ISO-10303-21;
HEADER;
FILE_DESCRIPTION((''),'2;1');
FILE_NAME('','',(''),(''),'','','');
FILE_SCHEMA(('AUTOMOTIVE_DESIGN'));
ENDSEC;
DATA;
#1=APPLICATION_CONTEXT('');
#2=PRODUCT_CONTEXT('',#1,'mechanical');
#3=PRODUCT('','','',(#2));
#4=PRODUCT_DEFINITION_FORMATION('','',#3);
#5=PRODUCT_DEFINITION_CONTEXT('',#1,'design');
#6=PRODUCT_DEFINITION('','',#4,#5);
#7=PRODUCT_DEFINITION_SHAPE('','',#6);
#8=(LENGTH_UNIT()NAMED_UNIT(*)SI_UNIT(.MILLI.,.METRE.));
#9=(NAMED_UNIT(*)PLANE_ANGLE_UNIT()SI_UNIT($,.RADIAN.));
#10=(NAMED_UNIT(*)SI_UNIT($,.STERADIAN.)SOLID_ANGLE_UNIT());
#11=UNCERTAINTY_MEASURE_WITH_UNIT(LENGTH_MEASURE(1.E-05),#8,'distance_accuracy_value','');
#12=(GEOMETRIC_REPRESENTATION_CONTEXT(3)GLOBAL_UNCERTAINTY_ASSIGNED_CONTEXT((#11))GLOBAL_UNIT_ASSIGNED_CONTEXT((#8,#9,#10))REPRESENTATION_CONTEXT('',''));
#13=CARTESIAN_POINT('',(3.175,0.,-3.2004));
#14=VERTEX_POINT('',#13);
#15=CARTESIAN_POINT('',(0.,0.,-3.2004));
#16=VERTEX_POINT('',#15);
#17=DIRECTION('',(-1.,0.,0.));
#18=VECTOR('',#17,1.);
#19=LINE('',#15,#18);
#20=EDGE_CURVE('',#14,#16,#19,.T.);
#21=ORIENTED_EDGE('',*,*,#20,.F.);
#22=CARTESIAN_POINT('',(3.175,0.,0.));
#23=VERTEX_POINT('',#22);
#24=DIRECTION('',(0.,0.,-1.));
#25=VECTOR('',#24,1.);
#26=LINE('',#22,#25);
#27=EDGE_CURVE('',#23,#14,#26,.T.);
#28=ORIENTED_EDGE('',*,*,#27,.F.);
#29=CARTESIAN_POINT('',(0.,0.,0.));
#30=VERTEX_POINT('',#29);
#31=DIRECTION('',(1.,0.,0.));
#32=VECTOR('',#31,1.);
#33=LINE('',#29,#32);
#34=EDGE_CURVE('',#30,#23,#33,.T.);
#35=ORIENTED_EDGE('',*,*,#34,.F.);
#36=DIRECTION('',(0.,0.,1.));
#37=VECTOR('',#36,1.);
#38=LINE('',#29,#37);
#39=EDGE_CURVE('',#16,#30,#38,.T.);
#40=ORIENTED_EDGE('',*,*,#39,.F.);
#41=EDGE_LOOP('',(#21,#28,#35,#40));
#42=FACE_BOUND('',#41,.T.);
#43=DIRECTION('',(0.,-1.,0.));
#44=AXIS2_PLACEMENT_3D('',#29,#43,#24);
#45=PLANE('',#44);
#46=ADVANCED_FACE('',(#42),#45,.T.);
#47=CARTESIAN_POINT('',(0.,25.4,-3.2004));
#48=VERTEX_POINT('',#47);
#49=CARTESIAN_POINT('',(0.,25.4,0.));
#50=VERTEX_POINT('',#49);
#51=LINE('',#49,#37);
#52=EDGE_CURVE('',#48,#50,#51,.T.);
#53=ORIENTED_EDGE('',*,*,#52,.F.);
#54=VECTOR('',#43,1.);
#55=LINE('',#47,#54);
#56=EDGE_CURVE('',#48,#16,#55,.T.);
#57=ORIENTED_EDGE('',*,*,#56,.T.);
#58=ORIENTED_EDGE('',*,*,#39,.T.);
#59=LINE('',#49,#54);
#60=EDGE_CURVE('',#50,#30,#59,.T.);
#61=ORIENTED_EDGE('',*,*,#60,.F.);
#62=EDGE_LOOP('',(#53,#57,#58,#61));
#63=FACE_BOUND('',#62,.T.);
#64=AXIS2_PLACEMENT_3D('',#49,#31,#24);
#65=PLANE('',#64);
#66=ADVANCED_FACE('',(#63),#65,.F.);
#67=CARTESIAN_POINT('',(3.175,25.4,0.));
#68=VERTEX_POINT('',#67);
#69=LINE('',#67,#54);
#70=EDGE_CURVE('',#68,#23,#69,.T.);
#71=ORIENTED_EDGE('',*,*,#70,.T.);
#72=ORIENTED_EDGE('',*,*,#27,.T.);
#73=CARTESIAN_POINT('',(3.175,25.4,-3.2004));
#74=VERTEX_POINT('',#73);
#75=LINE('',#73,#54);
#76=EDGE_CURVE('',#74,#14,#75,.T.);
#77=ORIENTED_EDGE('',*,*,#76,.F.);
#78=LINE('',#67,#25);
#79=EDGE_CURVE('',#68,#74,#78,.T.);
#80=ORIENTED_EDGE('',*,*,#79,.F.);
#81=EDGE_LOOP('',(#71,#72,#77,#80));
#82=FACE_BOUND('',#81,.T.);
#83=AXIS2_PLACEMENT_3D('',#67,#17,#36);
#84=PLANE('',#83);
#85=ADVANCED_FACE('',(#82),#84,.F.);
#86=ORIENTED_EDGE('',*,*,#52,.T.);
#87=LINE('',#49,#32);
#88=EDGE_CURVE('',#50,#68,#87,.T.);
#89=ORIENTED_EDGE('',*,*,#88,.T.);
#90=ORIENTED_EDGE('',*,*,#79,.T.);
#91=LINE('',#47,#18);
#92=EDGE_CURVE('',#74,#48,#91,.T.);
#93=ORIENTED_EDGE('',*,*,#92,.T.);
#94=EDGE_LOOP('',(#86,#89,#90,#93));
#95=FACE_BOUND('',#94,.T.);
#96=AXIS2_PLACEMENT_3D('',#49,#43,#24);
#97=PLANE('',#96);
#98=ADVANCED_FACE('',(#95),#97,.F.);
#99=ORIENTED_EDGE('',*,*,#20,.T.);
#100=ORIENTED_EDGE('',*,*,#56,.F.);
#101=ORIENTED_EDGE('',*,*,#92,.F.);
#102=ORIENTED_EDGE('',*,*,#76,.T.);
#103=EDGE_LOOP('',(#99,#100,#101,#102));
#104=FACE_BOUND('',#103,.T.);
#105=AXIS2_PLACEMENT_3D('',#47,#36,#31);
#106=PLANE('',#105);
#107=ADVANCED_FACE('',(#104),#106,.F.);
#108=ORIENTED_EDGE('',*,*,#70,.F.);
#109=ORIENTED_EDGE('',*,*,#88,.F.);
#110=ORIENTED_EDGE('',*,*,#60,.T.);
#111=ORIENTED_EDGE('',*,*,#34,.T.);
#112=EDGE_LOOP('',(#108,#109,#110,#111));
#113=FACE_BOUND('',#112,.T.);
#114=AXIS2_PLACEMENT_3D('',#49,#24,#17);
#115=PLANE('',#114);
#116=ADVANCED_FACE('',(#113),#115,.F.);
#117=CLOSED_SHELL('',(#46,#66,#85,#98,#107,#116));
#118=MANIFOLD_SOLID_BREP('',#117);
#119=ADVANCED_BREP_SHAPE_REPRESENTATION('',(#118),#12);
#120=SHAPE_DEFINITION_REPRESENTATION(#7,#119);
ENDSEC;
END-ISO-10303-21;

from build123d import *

# Parameters (mm, degrees)
SKETCH1_W           = 3.175
SKETCH1_H           = 3.2004
BOSS_EXTRUDE1_DEPTH = 25.4


with BuildPart() as part:
    # Sketch1 → Boss-Extrude1 (new body)
    with BuildSketch(Plane(origin=(0, 0, 0), x_dir=(1, 0, 0), z_dir=(0, 1, 0))):
        with Locations((1.5875, 1.6002)):
            Rectangle(SKETCH1_W, SKETCH1_H)
    extrude(amount=BOSS_EXTRUDE1_DEPTH)


solid = part.part
